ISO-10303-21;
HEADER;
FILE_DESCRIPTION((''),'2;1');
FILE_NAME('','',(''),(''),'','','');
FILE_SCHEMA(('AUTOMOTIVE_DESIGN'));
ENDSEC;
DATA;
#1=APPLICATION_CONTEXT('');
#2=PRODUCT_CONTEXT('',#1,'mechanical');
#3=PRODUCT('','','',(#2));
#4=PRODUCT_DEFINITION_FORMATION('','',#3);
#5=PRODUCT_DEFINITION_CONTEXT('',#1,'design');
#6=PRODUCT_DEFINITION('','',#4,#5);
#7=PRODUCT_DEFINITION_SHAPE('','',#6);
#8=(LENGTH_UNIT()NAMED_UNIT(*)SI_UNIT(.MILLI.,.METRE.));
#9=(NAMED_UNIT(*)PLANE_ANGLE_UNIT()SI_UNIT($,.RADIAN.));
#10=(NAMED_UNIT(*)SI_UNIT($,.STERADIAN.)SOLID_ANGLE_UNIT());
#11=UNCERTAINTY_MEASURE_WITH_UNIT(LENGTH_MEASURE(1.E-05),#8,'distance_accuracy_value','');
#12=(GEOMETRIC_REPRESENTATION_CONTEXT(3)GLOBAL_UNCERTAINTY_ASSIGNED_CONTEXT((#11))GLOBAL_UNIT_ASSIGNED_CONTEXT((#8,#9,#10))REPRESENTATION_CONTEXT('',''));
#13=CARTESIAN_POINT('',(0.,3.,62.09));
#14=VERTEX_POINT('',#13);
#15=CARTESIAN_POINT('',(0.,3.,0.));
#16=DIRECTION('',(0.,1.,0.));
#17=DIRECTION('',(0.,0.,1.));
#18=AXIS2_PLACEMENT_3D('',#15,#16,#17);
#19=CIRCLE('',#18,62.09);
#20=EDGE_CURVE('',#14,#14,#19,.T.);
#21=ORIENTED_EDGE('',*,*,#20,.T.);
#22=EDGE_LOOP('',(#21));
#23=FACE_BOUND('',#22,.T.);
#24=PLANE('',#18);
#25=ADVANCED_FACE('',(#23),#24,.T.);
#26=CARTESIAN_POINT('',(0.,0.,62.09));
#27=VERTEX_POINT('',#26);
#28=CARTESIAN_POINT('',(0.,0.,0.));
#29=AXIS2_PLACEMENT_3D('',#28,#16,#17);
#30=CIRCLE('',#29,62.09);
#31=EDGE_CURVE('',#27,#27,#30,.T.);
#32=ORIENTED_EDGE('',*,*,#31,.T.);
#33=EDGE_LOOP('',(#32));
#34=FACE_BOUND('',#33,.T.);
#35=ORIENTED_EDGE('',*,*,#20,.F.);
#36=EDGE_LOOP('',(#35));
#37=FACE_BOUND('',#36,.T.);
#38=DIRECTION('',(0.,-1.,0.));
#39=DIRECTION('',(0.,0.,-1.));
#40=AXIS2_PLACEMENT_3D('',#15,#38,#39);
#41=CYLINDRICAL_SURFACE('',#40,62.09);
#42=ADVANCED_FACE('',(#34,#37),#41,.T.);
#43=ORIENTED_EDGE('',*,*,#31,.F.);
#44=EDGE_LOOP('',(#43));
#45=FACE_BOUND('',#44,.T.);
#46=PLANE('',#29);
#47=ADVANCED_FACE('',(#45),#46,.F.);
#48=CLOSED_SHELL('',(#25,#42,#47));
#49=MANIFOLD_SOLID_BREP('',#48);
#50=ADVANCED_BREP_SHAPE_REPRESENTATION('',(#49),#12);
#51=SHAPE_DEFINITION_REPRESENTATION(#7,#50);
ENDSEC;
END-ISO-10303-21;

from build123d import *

# Parameters (mm, degrees)
SKETCH_1_R      = 62.09
EXTRUDE_1_DEPTH = 3


with BuildPart() as part:
    # 草图1 → 凸台-拉伸1 (new body)
    with BuildSketch(Plane(origin=(0, 0, 0), x_dir=(1, 0, 0), z_dir=(0, 1, 0))):
        with Locations(Location((0, 0, 0), (0, 0, 270))):
            Circle(SKETCH_1_R)
    extrude(amount=EXTRUDE_1_DEPTH)


solid = part.part
